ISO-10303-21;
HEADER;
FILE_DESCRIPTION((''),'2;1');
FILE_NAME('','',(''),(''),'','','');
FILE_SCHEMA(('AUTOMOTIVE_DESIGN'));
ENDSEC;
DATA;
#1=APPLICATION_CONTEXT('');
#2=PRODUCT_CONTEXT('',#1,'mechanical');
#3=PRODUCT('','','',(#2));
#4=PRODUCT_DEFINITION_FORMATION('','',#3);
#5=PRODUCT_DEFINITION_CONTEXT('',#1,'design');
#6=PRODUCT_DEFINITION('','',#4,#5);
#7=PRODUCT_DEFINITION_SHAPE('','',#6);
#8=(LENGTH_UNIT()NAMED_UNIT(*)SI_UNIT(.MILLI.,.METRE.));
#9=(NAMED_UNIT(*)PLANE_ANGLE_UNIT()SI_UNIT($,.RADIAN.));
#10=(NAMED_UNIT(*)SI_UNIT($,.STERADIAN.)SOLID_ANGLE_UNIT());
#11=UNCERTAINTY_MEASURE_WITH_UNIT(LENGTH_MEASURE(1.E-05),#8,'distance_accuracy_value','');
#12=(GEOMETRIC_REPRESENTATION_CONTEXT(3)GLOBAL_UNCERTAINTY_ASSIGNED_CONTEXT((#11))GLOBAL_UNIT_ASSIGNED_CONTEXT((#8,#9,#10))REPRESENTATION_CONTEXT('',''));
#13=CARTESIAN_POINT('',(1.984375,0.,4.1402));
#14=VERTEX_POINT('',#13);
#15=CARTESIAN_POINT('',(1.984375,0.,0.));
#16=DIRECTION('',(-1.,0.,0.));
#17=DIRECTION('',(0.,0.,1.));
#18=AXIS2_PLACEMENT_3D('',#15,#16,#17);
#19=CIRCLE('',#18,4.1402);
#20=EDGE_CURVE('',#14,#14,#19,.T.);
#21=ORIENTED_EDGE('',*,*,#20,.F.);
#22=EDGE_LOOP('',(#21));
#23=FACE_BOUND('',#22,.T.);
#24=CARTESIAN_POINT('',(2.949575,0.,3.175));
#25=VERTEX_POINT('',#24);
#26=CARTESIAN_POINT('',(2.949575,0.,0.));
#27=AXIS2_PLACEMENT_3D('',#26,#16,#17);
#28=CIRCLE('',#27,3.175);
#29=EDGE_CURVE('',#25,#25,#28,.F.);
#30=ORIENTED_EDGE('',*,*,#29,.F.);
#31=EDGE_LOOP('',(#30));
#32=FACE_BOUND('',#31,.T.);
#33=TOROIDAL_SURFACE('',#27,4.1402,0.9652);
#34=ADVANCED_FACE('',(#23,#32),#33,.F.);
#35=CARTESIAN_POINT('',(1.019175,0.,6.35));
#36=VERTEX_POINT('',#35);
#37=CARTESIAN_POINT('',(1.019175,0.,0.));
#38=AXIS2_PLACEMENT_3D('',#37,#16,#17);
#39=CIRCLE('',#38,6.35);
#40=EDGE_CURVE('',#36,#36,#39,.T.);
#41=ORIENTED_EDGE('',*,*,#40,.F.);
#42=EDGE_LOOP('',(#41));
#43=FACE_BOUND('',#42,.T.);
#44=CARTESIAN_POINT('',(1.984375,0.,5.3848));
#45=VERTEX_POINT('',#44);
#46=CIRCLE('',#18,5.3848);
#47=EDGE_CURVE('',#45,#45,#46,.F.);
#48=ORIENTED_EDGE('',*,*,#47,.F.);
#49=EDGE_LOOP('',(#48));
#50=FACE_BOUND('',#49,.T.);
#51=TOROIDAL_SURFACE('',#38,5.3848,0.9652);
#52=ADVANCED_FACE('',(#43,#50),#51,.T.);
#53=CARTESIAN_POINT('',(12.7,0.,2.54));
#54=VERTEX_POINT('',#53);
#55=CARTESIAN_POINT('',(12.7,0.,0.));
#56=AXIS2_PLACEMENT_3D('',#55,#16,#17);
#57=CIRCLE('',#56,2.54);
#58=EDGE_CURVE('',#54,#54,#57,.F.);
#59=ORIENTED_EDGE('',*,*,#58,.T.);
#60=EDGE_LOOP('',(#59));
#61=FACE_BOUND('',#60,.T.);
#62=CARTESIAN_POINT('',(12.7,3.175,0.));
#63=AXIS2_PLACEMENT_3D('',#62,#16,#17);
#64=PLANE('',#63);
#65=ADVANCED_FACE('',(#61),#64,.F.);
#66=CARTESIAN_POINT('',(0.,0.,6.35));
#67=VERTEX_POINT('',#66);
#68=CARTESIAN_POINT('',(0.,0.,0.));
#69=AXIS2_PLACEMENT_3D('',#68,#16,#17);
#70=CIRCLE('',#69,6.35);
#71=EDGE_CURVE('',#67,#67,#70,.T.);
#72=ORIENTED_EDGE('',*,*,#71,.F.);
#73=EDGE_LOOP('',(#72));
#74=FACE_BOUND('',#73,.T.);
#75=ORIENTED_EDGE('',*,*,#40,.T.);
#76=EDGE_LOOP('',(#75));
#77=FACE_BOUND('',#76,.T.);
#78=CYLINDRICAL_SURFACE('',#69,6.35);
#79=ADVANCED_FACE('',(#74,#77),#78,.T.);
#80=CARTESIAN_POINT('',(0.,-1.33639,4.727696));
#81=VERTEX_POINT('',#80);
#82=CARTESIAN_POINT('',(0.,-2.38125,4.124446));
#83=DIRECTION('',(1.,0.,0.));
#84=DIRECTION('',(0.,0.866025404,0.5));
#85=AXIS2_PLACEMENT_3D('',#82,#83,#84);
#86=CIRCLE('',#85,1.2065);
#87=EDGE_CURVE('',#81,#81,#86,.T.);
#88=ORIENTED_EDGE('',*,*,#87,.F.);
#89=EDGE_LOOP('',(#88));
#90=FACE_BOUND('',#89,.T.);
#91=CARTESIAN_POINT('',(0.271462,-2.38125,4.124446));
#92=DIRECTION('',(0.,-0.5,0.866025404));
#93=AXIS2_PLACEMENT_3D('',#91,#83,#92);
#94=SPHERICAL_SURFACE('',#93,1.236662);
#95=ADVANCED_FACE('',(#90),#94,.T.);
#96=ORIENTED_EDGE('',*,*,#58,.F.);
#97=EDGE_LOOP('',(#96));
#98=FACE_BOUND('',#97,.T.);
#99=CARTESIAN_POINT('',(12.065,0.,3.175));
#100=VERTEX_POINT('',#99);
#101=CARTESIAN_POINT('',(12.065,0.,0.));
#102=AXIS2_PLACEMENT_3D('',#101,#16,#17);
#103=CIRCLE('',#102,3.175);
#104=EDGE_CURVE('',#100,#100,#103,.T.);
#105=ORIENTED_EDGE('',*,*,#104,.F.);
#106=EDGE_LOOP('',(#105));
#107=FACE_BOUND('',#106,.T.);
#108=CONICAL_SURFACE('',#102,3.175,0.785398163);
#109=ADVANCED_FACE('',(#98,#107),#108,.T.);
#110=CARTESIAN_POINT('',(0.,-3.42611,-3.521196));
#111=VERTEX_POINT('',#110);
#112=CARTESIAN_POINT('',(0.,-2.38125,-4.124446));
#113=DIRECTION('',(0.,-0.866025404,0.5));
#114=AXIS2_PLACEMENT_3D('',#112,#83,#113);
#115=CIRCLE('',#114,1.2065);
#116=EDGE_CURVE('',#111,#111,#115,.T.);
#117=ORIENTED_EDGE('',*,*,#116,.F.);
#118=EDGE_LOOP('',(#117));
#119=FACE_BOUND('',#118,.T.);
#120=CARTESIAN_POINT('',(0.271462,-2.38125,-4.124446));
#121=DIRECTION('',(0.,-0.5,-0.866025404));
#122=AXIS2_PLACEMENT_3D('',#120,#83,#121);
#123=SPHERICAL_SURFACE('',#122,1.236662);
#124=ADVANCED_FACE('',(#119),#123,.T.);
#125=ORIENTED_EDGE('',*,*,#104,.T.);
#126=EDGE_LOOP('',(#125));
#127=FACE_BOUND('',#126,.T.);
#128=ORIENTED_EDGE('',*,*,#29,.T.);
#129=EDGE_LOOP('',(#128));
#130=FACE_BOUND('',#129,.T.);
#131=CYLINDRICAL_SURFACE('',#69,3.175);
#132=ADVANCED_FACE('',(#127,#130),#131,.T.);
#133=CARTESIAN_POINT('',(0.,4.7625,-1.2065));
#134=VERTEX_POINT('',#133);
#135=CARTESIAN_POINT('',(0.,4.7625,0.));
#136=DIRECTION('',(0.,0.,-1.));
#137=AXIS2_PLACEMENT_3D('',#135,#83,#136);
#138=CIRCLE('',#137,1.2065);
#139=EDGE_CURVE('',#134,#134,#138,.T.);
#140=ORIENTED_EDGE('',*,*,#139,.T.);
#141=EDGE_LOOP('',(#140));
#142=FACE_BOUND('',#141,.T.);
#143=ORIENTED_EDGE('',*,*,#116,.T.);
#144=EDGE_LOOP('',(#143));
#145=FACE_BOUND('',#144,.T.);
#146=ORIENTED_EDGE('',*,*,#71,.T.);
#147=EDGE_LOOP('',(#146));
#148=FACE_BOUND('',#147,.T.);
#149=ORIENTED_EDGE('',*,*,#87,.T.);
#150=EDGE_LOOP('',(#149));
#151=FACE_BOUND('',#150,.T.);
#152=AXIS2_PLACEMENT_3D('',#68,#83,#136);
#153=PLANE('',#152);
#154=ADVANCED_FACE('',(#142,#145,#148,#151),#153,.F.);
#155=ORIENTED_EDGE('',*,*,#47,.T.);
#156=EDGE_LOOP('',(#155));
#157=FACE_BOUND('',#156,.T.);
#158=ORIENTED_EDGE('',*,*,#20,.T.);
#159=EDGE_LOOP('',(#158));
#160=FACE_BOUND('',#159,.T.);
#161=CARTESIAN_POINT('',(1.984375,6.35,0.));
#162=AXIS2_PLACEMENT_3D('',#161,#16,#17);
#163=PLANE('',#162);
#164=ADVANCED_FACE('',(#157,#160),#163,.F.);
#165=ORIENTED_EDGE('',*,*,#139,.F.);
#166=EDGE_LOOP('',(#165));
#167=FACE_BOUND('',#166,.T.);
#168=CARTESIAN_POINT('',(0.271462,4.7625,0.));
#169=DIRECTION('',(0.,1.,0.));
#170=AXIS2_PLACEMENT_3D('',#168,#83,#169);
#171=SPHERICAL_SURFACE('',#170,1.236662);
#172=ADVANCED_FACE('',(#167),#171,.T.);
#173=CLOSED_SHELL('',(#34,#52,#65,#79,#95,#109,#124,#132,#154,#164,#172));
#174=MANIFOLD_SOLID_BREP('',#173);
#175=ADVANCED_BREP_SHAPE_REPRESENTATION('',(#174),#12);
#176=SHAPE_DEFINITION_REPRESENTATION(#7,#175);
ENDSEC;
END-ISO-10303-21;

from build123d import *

# Parameters (mm, degrees)
CHAMFER1_SIZE     = 0.635
CIRPATTERN2_COUNT = 3
FILLET2_R         = 0.9652


with BuildPart() as part:
    # Sketch1 → Revolve1 (revolve)
    with BuildSketch(Plane.XY, mode=Mode.PRIVATE) as revolve1_sk:
        Polygon((0, 0), (0, 6.35), (1.984375, 6.35), (1.984375, 3.175), (12.7, 3.175), (12.7, 0), align=None)
    revolve(revolve1_sk.sketch.rotate(Axis((0, 0, 0), (1, 0, 0)), 90), axis=Axis((0, 0, 0), (1, 0, 0)))

    # Chamfer1
    chamfer1_edges = [part.edges().sort_by_distance(p)[0] for p in [
        (12.7, 0, -3.175),
    ]]
    chamfer(chamfer1_edges, length=CHAMFER1_SIZE)

    # Sketch3 → Revolve3 (revolve)
    with BuildSketch(Plane.XY):
        with BuildLine():
            Line((0, 4.7625), (-0.9652, 4.7625))
            ThreePointArc((-0.9652, 4.7625), (-0.694208674, 5.535036939), (0, 5.969))
            Line((0, 5.969), (0, 4.7625))
        make_face()
    revolve3 = revolve(axis=Axis((1.984375, 4.7625, 0), (-1, 0, 0)))

    # CirPattern2: Revolve3 ×3 about axis
    cirpattern2_axis = Axis((0, 0, 0), (1, 0, 0))
    for i in range(1, CIRPATTERN2_COUNT):
        add(revolve3.rotate(cirpattern2_axis, i * 360 / CIRPATTERN2_COUNT))

    # Fillet2
    fillet2_edges = [part.edges().sort_by_distance(p)[0] for p in [
        (1.984375, 0, -3.175),
        (1.984375, 0, -6.35),
    ]]
    fillet(fillet2_edges, radius=FILLET2_R)


solid = part.part
